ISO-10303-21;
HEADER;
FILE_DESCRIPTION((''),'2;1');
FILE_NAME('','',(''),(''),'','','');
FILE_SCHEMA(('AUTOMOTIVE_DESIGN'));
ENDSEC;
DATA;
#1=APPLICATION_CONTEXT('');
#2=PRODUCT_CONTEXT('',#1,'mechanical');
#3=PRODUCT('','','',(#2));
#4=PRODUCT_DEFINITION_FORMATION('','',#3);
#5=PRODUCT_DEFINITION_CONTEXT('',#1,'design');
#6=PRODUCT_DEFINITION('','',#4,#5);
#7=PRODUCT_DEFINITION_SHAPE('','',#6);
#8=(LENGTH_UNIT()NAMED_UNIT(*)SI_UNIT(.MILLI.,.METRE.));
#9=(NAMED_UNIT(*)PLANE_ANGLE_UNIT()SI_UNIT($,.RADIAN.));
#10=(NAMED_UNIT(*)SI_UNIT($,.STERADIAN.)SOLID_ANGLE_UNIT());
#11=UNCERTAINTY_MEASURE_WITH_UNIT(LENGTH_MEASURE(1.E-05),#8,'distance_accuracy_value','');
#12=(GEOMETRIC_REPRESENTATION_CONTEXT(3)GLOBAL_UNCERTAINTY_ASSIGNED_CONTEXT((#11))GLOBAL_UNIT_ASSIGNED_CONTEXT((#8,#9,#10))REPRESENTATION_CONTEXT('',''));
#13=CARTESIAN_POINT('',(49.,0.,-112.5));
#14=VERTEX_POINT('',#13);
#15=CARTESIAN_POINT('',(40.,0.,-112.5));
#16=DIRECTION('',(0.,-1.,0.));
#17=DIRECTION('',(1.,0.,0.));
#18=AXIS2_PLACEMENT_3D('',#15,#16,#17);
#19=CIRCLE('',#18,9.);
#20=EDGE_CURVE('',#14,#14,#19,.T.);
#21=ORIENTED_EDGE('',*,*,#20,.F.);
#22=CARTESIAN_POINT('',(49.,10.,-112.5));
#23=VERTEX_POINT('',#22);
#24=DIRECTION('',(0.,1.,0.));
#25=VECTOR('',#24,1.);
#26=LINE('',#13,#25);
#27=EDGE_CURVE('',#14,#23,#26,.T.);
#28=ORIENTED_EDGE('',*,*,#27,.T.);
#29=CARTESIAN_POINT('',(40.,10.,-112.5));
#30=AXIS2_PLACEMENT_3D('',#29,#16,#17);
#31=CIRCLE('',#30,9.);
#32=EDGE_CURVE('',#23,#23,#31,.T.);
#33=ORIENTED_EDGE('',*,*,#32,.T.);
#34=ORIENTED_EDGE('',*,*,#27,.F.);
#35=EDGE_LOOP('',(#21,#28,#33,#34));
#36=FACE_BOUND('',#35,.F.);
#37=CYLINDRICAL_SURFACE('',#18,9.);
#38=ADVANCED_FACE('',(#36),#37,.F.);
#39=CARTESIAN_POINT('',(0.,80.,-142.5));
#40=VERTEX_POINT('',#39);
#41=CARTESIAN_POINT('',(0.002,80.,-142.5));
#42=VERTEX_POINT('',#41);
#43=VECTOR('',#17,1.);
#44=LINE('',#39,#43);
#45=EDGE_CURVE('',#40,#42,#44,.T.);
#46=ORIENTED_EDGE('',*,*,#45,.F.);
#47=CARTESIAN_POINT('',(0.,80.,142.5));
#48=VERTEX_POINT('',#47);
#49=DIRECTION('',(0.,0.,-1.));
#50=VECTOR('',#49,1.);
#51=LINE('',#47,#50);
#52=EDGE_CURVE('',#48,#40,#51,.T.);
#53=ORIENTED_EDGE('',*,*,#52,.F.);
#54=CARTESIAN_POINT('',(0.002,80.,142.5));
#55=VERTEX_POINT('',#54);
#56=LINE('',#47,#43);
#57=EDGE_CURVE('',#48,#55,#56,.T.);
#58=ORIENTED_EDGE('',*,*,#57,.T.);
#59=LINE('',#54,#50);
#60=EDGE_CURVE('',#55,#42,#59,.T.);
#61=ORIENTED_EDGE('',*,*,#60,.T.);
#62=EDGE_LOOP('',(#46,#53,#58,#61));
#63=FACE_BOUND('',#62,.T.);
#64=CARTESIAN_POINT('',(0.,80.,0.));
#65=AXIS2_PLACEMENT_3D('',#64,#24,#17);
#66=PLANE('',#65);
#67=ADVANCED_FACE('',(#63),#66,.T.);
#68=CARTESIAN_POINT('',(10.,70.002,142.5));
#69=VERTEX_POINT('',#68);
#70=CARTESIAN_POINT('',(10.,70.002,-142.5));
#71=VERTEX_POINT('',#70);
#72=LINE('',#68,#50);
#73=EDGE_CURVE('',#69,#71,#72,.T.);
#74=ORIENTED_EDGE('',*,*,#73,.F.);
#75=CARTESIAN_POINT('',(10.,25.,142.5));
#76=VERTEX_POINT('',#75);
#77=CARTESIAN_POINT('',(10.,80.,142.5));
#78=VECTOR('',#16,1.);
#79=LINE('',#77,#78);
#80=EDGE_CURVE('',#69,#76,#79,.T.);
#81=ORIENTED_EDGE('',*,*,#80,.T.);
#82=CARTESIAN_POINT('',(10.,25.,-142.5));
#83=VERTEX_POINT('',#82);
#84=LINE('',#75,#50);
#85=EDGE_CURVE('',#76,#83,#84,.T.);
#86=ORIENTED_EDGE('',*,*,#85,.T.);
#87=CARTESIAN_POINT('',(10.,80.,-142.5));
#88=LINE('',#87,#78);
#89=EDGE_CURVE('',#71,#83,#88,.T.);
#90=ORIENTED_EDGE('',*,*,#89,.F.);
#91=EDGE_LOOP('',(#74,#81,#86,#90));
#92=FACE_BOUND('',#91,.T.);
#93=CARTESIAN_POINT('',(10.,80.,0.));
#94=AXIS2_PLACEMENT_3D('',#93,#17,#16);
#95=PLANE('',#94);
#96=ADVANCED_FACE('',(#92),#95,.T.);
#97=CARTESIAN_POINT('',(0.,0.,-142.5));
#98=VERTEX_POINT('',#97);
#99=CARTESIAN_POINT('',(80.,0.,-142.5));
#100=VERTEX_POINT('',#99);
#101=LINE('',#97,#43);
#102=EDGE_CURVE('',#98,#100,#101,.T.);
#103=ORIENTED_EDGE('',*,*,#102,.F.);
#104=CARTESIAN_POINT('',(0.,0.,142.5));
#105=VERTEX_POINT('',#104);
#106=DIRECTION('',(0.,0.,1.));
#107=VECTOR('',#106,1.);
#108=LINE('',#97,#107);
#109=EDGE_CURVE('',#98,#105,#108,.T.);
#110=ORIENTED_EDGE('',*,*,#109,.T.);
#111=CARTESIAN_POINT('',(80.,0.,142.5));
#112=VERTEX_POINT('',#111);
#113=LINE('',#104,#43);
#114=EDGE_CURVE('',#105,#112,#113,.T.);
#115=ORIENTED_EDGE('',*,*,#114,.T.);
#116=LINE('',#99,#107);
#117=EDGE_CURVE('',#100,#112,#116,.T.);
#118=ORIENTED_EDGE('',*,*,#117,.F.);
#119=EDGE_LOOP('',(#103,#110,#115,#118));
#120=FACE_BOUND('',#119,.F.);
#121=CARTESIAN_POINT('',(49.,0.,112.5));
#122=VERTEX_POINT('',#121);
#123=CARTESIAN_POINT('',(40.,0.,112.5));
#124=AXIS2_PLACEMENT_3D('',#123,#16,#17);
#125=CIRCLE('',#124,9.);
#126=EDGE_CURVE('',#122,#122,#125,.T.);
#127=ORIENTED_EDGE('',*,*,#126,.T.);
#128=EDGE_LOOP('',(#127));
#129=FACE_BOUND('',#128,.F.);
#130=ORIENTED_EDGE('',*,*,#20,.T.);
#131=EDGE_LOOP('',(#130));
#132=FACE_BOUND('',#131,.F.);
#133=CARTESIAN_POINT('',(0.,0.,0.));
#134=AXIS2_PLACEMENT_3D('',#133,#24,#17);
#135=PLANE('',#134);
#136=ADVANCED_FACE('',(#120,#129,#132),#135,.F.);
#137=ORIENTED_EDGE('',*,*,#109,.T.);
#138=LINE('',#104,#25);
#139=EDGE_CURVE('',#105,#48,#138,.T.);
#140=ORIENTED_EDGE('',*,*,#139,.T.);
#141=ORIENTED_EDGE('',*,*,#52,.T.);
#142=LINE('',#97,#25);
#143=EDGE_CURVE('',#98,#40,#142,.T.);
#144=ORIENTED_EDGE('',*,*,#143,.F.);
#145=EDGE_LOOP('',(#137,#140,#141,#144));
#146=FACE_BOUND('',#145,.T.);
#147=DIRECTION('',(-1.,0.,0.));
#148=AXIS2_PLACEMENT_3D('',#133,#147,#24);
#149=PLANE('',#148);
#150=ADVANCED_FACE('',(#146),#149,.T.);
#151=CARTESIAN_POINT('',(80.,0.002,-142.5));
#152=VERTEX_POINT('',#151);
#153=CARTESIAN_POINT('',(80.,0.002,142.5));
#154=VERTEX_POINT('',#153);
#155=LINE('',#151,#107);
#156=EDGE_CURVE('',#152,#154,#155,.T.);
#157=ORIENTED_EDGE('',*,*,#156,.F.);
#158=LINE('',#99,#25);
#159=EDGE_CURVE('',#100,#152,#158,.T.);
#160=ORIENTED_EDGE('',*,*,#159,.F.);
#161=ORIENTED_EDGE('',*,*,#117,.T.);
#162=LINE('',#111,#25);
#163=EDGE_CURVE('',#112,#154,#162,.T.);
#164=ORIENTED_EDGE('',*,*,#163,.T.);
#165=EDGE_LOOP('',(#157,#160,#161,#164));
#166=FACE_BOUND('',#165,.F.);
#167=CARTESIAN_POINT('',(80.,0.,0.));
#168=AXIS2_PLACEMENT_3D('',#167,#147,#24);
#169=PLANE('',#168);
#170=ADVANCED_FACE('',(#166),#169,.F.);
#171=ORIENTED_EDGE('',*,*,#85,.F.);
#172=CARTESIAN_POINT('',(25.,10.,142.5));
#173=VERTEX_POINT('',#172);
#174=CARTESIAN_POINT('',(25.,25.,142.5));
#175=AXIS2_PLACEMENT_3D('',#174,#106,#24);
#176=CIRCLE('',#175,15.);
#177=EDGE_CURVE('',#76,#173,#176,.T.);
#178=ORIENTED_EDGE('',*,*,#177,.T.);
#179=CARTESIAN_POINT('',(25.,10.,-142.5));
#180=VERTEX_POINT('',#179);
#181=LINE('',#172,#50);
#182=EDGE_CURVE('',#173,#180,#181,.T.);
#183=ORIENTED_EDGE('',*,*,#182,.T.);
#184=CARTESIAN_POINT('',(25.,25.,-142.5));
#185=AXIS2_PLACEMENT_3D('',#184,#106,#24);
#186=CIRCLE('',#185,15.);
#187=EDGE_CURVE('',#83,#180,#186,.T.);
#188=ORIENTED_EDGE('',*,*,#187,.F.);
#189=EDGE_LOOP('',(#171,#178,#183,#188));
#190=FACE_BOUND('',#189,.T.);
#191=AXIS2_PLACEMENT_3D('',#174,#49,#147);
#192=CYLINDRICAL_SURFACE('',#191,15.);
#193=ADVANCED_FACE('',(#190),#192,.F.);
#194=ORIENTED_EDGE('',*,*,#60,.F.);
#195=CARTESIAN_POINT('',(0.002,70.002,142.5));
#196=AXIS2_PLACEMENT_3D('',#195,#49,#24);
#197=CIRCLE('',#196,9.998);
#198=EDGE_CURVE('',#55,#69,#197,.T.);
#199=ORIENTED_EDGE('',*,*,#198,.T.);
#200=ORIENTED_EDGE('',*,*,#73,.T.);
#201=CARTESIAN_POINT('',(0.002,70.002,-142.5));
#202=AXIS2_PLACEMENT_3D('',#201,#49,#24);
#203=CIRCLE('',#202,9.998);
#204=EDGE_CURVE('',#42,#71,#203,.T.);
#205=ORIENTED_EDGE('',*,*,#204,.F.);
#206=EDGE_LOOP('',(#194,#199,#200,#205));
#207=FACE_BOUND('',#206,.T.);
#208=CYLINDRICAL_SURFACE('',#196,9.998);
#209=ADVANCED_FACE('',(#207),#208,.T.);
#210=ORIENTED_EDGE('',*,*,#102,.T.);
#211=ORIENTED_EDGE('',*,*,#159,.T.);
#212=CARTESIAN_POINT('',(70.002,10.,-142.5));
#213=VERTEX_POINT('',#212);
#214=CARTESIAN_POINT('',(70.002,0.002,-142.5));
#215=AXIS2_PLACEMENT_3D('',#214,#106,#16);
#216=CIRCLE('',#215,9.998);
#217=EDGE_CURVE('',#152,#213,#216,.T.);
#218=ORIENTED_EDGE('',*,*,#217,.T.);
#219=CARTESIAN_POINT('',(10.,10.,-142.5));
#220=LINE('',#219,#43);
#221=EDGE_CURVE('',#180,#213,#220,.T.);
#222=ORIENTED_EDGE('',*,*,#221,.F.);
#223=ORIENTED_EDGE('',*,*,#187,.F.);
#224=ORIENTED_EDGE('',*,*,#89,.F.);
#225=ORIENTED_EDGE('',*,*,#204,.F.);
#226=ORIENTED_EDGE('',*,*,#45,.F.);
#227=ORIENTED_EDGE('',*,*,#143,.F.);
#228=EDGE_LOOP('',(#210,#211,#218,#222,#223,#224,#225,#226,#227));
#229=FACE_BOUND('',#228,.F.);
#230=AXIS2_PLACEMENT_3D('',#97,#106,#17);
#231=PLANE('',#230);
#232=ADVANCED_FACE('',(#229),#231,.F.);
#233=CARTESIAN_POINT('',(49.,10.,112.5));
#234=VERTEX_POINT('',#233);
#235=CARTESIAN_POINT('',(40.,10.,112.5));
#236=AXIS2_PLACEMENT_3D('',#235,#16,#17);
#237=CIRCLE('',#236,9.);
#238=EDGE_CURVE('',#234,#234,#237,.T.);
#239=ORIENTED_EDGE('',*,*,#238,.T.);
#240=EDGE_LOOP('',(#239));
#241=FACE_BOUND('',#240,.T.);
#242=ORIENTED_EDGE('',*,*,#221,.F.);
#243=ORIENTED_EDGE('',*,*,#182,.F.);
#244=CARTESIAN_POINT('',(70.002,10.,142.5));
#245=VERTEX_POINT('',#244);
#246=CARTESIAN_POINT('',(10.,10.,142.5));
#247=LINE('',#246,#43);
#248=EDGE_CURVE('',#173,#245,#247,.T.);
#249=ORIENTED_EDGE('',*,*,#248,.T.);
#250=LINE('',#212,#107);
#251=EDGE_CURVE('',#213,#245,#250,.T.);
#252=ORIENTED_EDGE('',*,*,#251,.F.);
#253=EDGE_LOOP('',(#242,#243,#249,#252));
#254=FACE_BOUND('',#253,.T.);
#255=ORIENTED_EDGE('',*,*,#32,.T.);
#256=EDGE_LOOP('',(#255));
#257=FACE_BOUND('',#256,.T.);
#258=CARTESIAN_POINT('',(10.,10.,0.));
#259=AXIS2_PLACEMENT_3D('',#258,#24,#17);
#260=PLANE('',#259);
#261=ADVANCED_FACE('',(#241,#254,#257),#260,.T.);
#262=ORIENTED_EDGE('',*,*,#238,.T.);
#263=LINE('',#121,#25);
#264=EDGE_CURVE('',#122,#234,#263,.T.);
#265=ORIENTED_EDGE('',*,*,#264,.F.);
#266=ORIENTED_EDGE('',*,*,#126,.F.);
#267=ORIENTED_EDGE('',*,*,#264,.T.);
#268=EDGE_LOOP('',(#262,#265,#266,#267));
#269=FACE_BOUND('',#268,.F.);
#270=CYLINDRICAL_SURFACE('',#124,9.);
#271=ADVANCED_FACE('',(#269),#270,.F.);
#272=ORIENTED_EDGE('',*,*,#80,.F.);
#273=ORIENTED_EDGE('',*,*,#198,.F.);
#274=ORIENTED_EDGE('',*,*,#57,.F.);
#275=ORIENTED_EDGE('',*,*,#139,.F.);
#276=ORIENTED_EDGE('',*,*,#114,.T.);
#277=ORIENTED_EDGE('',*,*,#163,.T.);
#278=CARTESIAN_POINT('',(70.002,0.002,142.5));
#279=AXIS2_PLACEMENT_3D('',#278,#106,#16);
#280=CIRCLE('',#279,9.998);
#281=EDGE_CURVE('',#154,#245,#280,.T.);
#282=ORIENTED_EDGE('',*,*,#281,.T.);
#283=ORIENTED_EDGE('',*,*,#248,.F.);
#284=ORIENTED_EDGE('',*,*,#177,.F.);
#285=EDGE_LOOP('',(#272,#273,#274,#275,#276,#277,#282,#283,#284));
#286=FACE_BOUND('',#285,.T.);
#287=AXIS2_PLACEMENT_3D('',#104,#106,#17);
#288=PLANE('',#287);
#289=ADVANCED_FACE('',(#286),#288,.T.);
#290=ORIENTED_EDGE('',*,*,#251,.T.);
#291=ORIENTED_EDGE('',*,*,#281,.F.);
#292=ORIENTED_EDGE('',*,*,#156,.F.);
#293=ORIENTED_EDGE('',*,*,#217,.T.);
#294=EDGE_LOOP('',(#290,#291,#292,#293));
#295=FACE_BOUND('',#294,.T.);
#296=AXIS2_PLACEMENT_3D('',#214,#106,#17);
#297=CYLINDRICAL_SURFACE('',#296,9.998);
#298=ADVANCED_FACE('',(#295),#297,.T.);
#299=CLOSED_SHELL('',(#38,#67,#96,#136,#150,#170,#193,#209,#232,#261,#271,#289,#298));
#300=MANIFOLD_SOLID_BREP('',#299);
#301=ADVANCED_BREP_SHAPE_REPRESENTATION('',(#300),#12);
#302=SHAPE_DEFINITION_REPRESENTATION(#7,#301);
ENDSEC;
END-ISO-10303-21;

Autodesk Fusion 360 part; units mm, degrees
sketch "Sketch1" plane through (0, 0, 0) normal (0, 0, 1) x (1, 0, 0)
  line L0 (0, 0) -> (80, 0)
  line L1 (0, 0) -> (0, 80)
  line L2 (0, 80) -> (10, 80)
  line L3 (80, 0) -> (80, 10)
  line L4 (10, 80) -> (10, 10)
  line L5 (10, 10) -> (80, 10)
  dimension "d1" = 80
  dimension "d2" = 80
  dimension "d3" = 10
  dimension "d4" = 10
extrude "Extrude1" add sketch "Sketch1" along normal mid plane 285
fillet "Fillet1" radius 10 2 edges at (80, 10, 0) (10, 80, 0)
fillet "Fillet2" radius 15 1 edges at (10, 10, 0)
sketch "Sketch2" plane through (0, 0, 0) normal (0, -1, 0) x (1, 0, 0)
  line L0 (80, -142.5) -> (80, 142.5)
  line L1 (80, 142.5) -> (0, 142.5)
  line L2 (0, 142.5) -> (0, -142.5)
  line L3 (0, -142.5) -> (80, -142.5)
  circle A0 centre (40, 112.5) radius 9
  line L4 (25, -142.5) -> (70, -142.5)
  line L5 (40, 142.5) -> (40, -142.5) construction
  line L6 (40, 142.5) -> (40, 112.5) construction
  line L7 (0, 0) -> (80, 0) construction
  circle A1 centre (40, -112.5) radius 9
  dimension "d9" = 18
  dimension "d10" = 30
extrude "Extrude2" cut sketch "Sketch2" against normal through all contours A0 | A1
